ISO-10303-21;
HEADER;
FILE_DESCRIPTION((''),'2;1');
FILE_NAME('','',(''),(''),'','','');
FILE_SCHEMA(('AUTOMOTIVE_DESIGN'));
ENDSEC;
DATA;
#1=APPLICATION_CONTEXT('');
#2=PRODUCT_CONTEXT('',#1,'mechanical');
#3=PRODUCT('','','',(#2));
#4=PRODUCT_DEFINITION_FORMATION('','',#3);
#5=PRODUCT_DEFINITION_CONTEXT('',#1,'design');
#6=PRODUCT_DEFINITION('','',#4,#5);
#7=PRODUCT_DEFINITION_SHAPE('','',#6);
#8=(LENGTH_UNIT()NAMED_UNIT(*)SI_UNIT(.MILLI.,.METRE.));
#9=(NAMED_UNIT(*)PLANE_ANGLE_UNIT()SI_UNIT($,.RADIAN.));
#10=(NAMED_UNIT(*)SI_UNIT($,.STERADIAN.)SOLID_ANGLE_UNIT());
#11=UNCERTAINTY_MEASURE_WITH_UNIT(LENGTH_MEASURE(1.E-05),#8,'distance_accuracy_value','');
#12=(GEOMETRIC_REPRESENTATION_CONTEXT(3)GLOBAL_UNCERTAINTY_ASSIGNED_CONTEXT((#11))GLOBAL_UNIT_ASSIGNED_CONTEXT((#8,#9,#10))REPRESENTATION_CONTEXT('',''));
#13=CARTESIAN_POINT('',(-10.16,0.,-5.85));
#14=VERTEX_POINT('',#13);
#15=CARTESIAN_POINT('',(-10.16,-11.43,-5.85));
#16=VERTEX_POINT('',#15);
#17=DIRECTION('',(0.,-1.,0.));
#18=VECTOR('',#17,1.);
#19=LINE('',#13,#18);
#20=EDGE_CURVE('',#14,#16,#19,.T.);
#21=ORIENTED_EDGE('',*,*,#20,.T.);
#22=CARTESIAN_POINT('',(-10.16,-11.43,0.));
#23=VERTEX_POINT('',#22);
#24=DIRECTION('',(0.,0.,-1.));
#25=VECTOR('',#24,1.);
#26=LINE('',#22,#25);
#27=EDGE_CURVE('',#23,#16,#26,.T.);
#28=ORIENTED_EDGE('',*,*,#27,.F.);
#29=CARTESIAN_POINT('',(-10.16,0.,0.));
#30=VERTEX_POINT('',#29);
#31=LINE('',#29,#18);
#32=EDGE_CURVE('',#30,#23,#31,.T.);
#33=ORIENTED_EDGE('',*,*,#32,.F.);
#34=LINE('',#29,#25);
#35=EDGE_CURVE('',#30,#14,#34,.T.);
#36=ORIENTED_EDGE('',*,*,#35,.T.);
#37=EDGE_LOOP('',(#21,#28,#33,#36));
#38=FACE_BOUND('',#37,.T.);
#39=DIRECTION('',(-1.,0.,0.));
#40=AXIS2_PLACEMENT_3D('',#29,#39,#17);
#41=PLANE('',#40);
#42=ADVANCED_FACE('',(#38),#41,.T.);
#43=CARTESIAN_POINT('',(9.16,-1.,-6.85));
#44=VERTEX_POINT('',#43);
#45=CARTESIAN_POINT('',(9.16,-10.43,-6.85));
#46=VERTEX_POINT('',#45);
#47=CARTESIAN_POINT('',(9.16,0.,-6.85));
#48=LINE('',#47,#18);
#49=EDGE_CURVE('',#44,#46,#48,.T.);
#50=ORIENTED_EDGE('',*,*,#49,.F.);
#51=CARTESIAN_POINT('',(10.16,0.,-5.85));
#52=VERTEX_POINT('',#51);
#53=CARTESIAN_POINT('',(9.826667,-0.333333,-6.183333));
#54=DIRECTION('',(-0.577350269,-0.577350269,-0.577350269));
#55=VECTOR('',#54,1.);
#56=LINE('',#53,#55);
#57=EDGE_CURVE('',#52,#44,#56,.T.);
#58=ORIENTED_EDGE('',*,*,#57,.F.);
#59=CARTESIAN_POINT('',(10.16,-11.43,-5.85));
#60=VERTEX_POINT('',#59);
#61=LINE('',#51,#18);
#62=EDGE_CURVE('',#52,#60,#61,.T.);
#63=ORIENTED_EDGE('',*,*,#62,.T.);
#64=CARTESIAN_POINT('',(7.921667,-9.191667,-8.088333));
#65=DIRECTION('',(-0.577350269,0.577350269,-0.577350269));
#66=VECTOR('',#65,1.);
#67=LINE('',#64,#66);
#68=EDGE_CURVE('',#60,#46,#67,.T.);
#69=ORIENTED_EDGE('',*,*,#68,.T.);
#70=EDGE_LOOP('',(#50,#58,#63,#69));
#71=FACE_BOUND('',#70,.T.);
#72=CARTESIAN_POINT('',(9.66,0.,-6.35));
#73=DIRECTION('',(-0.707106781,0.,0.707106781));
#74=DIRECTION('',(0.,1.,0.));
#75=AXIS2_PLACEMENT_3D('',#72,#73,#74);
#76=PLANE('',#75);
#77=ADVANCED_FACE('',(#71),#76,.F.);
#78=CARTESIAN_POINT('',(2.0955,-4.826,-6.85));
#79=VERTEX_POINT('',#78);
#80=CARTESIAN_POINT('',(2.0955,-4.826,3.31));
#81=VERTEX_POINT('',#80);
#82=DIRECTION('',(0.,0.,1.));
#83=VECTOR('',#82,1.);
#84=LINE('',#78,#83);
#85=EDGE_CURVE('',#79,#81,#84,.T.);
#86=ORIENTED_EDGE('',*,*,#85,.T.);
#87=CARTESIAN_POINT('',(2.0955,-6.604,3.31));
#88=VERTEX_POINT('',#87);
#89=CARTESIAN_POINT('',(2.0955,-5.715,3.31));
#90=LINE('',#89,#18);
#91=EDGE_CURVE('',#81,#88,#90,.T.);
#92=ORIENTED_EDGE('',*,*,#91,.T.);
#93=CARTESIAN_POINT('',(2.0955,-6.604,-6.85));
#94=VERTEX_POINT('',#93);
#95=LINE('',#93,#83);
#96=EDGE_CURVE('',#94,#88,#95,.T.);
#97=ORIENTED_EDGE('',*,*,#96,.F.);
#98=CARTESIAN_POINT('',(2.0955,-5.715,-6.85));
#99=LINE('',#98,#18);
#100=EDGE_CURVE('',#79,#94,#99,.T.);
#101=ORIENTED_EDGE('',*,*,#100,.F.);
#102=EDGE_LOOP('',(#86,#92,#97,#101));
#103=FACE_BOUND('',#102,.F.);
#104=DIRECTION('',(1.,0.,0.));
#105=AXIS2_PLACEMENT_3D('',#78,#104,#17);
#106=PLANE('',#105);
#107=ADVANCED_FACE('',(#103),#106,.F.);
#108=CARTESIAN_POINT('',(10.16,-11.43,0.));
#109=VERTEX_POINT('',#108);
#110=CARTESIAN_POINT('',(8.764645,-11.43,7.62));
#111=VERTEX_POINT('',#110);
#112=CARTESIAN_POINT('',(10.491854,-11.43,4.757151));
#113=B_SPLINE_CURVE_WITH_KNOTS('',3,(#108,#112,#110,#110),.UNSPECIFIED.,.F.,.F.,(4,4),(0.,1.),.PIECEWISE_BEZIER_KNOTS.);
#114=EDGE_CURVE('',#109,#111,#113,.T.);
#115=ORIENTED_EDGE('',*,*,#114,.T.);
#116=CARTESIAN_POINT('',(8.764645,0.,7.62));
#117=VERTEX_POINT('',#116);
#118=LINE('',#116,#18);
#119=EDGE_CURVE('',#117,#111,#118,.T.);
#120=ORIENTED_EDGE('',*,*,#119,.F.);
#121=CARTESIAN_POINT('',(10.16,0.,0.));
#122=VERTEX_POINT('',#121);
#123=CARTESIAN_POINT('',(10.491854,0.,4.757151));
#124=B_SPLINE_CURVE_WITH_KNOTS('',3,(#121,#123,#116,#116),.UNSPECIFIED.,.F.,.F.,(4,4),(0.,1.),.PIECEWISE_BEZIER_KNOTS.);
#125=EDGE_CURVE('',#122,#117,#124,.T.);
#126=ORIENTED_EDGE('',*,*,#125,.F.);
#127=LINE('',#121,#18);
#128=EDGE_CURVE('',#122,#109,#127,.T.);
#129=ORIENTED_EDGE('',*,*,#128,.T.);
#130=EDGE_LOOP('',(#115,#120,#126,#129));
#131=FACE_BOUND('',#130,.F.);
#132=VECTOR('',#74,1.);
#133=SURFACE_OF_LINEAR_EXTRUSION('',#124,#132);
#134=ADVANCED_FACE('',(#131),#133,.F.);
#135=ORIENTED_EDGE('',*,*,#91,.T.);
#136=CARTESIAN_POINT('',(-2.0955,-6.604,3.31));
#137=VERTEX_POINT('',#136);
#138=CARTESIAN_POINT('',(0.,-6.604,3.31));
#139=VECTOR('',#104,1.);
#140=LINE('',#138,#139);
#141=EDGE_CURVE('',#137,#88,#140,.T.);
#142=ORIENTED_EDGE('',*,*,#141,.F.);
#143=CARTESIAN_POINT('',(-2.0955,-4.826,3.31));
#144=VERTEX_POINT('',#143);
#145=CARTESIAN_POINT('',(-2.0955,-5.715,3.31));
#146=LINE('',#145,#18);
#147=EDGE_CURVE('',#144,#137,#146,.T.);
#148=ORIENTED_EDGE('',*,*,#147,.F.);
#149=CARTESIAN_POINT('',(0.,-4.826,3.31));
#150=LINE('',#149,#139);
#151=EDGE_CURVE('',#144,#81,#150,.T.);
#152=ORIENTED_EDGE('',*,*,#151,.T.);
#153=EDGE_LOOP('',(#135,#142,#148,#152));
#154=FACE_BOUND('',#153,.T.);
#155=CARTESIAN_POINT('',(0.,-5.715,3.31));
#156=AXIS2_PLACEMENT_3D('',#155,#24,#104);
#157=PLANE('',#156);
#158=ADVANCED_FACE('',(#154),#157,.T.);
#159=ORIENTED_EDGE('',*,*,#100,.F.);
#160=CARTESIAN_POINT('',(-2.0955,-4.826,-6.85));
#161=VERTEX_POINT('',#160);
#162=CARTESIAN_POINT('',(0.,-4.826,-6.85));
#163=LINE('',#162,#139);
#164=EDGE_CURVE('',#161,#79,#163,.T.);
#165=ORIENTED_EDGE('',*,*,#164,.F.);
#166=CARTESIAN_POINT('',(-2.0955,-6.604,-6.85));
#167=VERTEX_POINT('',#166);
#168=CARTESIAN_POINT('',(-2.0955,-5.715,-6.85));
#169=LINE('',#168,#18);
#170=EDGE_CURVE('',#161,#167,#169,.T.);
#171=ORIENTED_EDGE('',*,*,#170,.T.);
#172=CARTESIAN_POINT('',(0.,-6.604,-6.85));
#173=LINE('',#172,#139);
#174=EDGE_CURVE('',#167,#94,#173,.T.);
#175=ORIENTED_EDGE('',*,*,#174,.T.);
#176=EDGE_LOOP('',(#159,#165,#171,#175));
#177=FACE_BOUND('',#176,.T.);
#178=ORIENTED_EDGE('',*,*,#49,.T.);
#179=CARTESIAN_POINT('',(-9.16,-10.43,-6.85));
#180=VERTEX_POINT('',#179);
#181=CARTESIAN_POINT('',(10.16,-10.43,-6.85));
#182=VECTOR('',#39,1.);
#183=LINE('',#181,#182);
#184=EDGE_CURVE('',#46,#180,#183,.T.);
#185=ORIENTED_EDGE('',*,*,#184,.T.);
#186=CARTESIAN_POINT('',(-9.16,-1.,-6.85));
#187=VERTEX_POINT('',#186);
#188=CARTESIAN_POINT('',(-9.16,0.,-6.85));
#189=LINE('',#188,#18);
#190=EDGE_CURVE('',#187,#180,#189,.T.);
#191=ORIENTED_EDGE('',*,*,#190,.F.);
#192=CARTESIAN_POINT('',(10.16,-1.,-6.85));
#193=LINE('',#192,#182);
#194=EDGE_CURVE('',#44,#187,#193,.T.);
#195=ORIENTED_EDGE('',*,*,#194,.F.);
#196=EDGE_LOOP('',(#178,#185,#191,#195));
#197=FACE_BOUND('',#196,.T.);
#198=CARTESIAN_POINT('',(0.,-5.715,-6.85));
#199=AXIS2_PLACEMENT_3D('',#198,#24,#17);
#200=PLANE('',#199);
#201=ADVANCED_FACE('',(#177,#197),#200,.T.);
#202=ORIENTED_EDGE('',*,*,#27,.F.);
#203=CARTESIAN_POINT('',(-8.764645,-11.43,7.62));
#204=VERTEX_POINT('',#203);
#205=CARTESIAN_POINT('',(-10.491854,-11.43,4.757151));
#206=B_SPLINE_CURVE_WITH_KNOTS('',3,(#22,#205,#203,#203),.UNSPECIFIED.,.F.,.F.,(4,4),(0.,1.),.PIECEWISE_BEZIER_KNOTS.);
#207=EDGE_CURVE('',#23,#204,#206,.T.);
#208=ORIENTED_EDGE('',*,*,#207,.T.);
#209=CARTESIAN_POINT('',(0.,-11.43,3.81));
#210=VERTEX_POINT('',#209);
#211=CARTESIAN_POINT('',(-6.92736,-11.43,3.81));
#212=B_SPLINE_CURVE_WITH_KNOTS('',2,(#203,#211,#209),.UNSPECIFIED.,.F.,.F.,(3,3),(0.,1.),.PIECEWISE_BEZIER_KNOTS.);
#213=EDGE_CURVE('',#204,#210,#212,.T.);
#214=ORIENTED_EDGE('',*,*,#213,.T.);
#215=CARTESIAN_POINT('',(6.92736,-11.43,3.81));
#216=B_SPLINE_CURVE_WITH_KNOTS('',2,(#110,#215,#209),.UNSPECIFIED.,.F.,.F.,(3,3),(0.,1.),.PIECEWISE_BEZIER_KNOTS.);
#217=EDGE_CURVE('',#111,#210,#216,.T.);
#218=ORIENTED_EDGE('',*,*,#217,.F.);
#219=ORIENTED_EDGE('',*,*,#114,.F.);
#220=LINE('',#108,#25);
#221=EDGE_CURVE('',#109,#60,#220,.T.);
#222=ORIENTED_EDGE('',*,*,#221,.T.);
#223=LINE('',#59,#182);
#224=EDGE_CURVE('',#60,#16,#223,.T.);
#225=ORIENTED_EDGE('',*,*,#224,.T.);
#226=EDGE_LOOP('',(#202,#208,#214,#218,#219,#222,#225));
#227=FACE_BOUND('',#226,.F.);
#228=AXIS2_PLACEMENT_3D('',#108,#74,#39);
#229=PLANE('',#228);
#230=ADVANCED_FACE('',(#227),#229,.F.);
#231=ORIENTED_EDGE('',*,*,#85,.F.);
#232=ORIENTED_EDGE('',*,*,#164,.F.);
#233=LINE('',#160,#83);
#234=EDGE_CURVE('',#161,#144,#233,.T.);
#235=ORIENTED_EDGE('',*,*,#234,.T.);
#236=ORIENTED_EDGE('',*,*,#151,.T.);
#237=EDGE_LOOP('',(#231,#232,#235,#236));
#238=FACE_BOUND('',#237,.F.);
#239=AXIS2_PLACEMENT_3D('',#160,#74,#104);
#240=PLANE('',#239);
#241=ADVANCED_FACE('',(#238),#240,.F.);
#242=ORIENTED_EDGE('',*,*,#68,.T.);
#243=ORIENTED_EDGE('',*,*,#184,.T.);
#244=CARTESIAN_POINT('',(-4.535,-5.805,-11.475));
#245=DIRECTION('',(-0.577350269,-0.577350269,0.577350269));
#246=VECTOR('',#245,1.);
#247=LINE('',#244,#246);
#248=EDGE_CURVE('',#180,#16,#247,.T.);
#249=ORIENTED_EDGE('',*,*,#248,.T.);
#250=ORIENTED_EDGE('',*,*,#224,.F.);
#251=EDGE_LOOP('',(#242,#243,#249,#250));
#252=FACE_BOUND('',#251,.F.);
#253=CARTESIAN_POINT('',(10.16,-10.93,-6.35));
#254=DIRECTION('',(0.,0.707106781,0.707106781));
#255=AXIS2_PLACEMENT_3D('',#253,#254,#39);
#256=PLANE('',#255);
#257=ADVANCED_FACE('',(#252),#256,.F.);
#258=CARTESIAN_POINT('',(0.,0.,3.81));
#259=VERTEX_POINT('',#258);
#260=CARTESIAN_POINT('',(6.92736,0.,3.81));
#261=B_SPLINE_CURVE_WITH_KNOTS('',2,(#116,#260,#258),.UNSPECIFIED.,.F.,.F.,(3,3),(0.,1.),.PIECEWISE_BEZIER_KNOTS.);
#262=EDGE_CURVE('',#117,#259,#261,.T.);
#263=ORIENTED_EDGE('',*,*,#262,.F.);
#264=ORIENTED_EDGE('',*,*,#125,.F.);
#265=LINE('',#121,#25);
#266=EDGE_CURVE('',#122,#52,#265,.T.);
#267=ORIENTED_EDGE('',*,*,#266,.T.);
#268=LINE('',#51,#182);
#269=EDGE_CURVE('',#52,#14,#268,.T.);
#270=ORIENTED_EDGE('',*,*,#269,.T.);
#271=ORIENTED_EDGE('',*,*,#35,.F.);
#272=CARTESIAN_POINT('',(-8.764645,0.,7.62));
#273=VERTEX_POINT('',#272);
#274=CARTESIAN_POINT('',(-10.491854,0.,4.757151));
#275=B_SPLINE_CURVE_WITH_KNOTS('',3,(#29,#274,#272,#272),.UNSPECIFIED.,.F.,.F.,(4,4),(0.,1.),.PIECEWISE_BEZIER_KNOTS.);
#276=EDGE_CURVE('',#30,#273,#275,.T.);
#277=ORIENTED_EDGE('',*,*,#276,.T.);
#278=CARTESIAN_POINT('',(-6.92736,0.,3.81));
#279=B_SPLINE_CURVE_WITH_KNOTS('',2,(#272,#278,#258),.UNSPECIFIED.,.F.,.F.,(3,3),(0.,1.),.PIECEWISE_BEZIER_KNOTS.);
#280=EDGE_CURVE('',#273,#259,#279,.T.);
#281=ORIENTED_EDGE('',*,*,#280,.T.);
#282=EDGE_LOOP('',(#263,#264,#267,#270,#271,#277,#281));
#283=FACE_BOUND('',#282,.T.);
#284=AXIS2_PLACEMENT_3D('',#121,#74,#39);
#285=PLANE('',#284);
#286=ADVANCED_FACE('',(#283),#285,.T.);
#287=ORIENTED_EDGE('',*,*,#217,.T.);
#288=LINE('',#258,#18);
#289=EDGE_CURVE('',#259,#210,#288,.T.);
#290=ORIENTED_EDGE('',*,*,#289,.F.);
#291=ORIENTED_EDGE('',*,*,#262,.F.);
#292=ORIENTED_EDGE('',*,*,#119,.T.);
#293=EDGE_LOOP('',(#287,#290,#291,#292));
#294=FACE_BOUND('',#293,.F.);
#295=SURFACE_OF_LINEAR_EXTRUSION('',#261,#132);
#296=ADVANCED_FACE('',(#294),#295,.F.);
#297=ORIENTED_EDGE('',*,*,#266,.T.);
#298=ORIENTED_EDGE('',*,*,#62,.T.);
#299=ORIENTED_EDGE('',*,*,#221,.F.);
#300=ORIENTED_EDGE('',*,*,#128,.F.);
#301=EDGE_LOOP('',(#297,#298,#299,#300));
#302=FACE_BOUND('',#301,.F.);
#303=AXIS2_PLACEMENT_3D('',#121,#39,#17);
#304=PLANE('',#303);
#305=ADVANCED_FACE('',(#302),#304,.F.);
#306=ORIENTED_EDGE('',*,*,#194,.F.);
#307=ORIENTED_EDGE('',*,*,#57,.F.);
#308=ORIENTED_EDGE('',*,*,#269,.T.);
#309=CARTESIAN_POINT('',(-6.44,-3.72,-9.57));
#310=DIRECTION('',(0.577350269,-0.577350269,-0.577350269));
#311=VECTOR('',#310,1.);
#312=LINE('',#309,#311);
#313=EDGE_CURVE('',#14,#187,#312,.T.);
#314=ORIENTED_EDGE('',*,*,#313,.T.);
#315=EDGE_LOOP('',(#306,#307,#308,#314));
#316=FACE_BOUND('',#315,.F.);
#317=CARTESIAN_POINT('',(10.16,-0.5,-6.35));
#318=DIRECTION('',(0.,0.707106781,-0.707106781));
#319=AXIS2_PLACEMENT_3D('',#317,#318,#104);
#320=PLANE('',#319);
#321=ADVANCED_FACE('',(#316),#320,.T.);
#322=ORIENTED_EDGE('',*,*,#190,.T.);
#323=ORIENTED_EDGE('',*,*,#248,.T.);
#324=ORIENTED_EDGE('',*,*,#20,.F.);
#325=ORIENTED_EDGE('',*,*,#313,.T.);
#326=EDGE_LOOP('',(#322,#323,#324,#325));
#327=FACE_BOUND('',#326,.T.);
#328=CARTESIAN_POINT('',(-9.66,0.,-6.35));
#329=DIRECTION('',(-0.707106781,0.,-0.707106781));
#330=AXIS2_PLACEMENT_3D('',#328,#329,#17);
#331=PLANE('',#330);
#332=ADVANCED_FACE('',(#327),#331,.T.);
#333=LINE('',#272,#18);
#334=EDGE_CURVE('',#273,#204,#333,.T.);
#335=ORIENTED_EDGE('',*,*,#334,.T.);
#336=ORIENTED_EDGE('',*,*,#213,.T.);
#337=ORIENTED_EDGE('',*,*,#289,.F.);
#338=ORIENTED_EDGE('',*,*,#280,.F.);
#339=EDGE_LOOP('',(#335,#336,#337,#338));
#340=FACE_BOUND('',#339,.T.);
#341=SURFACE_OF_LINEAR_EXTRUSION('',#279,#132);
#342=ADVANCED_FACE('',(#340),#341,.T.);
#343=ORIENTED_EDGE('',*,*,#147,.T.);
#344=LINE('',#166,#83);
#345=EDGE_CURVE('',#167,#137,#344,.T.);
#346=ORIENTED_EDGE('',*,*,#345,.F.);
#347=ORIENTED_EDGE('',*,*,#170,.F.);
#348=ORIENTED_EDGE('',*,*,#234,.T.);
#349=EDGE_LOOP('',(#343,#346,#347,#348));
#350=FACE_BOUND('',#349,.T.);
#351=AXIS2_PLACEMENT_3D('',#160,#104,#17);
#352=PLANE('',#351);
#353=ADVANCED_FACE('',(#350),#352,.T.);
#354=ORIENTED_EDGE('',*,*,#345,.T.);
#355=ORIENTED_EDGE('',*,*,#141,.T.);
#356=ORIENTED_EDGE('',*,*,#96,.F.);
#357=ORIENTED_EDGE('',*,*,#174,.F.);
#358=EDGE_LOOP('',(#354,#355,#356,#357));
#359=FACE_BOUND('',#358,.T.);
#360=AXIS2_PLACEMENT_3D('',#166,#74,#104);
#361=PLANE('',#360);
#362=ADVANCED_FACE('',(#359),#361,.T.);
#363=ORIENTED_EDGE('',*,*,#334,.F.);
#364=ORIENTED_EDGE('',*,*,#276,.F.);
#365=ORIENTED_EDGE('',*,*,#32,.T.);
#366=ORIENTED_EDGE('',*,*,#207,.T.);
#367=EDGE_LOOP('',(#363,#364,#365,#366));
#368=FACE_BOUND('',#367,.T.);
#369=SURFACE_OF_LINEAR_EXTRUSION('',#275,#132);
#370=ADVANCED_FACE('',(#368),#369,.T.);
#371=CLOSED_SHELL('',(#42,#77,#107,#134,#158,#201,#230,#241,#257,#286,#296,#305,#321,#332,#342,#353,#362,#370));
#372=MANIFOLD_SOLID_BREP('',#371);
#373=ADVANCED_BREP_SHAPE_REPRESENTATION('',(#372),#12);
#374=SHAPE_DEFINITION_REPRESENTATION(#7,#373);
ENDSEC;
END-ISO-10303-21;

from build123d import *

# Parameters (mm, degrees)
PAD_DEPTH        = 11.43
MIRRORED_FACE5_W = 11.43
MIRRORED_FACE5_H = 20.32
PAD001_DEPTH     = 6.85
SKETCH001_W      = 4.191
SKETCH001_H      = 1.778
POCKET_DEPTH     = 10.16
CHAMFER_SIZE     = 1


with BuildPart() as part:
    # Sketch → Pad (new body)
    with BuildSketch(Plane.XZ):
        with BuildLine():
            Line((0, 0), (-10.16, 0))
            add(Edge.make_bspline(
                [(-10.16, 0), (-10.491854, 4.757151), (-8.764645, 7.62), (-8.764645, 7.62)],
                knots=[0, 0, 0, 0, 1, 1, 1, 1], degree=3))
            add(Edge.make_bspline(
                [(-8.764645, 7.62), (-6.92736, 3.81), (0, 3.81)],
                knots=[0, 0, 0, 1, 1, 1], degree=2))
            Line((0, 3.81), (0, 0))
        make_face()
    extrude(amount=PAD_DEPTH)

    # Mirrored: part across YZ


with BuildPart() as part_1:
    add(part.part)
    add(part.part.mirror(Plane.YZ))

    # Mirrored Face5 → Pad001 (add)
    with BuildSketch(Plane(origin=(0, -5.715, 0), x_dir=(0, -1, 0), z_dir=(0, 0, -1))):
        Rectangle(MIRRORED_FACE5_W, MIRRORED_FACE5_H)
    extrude(amount=PAD001_DEPTH)

    # Sketch001 (on Face4 of Pad001) → Pocket (cut)
    with BuildSketch(Plane(origin=(0, 0, -6.85), x_dir=(1, 0, 0), z_dir=(0, 0, -1))):
        with Locations((0, 5.715)):
            Rectangle(SKETCH001_W, SKETCH001_H)
    extrude(amount=-POCKET_DEPTH, mode=Mode.SUBTRACT)

    # Chamfer
    chamfer_edges = [part_1.edges().sort_by_distance(p)[0] for p in [
        (0, 0, -6.85),
        (10.16, -5.715, -6.85),
        (0, -11.43, -6.85),
        (-10.16, -5.715, -6.85),
    ]]
    chamfer(chamfer_edges, length=CHAMFER_SIZE)


solid = part_1.part
